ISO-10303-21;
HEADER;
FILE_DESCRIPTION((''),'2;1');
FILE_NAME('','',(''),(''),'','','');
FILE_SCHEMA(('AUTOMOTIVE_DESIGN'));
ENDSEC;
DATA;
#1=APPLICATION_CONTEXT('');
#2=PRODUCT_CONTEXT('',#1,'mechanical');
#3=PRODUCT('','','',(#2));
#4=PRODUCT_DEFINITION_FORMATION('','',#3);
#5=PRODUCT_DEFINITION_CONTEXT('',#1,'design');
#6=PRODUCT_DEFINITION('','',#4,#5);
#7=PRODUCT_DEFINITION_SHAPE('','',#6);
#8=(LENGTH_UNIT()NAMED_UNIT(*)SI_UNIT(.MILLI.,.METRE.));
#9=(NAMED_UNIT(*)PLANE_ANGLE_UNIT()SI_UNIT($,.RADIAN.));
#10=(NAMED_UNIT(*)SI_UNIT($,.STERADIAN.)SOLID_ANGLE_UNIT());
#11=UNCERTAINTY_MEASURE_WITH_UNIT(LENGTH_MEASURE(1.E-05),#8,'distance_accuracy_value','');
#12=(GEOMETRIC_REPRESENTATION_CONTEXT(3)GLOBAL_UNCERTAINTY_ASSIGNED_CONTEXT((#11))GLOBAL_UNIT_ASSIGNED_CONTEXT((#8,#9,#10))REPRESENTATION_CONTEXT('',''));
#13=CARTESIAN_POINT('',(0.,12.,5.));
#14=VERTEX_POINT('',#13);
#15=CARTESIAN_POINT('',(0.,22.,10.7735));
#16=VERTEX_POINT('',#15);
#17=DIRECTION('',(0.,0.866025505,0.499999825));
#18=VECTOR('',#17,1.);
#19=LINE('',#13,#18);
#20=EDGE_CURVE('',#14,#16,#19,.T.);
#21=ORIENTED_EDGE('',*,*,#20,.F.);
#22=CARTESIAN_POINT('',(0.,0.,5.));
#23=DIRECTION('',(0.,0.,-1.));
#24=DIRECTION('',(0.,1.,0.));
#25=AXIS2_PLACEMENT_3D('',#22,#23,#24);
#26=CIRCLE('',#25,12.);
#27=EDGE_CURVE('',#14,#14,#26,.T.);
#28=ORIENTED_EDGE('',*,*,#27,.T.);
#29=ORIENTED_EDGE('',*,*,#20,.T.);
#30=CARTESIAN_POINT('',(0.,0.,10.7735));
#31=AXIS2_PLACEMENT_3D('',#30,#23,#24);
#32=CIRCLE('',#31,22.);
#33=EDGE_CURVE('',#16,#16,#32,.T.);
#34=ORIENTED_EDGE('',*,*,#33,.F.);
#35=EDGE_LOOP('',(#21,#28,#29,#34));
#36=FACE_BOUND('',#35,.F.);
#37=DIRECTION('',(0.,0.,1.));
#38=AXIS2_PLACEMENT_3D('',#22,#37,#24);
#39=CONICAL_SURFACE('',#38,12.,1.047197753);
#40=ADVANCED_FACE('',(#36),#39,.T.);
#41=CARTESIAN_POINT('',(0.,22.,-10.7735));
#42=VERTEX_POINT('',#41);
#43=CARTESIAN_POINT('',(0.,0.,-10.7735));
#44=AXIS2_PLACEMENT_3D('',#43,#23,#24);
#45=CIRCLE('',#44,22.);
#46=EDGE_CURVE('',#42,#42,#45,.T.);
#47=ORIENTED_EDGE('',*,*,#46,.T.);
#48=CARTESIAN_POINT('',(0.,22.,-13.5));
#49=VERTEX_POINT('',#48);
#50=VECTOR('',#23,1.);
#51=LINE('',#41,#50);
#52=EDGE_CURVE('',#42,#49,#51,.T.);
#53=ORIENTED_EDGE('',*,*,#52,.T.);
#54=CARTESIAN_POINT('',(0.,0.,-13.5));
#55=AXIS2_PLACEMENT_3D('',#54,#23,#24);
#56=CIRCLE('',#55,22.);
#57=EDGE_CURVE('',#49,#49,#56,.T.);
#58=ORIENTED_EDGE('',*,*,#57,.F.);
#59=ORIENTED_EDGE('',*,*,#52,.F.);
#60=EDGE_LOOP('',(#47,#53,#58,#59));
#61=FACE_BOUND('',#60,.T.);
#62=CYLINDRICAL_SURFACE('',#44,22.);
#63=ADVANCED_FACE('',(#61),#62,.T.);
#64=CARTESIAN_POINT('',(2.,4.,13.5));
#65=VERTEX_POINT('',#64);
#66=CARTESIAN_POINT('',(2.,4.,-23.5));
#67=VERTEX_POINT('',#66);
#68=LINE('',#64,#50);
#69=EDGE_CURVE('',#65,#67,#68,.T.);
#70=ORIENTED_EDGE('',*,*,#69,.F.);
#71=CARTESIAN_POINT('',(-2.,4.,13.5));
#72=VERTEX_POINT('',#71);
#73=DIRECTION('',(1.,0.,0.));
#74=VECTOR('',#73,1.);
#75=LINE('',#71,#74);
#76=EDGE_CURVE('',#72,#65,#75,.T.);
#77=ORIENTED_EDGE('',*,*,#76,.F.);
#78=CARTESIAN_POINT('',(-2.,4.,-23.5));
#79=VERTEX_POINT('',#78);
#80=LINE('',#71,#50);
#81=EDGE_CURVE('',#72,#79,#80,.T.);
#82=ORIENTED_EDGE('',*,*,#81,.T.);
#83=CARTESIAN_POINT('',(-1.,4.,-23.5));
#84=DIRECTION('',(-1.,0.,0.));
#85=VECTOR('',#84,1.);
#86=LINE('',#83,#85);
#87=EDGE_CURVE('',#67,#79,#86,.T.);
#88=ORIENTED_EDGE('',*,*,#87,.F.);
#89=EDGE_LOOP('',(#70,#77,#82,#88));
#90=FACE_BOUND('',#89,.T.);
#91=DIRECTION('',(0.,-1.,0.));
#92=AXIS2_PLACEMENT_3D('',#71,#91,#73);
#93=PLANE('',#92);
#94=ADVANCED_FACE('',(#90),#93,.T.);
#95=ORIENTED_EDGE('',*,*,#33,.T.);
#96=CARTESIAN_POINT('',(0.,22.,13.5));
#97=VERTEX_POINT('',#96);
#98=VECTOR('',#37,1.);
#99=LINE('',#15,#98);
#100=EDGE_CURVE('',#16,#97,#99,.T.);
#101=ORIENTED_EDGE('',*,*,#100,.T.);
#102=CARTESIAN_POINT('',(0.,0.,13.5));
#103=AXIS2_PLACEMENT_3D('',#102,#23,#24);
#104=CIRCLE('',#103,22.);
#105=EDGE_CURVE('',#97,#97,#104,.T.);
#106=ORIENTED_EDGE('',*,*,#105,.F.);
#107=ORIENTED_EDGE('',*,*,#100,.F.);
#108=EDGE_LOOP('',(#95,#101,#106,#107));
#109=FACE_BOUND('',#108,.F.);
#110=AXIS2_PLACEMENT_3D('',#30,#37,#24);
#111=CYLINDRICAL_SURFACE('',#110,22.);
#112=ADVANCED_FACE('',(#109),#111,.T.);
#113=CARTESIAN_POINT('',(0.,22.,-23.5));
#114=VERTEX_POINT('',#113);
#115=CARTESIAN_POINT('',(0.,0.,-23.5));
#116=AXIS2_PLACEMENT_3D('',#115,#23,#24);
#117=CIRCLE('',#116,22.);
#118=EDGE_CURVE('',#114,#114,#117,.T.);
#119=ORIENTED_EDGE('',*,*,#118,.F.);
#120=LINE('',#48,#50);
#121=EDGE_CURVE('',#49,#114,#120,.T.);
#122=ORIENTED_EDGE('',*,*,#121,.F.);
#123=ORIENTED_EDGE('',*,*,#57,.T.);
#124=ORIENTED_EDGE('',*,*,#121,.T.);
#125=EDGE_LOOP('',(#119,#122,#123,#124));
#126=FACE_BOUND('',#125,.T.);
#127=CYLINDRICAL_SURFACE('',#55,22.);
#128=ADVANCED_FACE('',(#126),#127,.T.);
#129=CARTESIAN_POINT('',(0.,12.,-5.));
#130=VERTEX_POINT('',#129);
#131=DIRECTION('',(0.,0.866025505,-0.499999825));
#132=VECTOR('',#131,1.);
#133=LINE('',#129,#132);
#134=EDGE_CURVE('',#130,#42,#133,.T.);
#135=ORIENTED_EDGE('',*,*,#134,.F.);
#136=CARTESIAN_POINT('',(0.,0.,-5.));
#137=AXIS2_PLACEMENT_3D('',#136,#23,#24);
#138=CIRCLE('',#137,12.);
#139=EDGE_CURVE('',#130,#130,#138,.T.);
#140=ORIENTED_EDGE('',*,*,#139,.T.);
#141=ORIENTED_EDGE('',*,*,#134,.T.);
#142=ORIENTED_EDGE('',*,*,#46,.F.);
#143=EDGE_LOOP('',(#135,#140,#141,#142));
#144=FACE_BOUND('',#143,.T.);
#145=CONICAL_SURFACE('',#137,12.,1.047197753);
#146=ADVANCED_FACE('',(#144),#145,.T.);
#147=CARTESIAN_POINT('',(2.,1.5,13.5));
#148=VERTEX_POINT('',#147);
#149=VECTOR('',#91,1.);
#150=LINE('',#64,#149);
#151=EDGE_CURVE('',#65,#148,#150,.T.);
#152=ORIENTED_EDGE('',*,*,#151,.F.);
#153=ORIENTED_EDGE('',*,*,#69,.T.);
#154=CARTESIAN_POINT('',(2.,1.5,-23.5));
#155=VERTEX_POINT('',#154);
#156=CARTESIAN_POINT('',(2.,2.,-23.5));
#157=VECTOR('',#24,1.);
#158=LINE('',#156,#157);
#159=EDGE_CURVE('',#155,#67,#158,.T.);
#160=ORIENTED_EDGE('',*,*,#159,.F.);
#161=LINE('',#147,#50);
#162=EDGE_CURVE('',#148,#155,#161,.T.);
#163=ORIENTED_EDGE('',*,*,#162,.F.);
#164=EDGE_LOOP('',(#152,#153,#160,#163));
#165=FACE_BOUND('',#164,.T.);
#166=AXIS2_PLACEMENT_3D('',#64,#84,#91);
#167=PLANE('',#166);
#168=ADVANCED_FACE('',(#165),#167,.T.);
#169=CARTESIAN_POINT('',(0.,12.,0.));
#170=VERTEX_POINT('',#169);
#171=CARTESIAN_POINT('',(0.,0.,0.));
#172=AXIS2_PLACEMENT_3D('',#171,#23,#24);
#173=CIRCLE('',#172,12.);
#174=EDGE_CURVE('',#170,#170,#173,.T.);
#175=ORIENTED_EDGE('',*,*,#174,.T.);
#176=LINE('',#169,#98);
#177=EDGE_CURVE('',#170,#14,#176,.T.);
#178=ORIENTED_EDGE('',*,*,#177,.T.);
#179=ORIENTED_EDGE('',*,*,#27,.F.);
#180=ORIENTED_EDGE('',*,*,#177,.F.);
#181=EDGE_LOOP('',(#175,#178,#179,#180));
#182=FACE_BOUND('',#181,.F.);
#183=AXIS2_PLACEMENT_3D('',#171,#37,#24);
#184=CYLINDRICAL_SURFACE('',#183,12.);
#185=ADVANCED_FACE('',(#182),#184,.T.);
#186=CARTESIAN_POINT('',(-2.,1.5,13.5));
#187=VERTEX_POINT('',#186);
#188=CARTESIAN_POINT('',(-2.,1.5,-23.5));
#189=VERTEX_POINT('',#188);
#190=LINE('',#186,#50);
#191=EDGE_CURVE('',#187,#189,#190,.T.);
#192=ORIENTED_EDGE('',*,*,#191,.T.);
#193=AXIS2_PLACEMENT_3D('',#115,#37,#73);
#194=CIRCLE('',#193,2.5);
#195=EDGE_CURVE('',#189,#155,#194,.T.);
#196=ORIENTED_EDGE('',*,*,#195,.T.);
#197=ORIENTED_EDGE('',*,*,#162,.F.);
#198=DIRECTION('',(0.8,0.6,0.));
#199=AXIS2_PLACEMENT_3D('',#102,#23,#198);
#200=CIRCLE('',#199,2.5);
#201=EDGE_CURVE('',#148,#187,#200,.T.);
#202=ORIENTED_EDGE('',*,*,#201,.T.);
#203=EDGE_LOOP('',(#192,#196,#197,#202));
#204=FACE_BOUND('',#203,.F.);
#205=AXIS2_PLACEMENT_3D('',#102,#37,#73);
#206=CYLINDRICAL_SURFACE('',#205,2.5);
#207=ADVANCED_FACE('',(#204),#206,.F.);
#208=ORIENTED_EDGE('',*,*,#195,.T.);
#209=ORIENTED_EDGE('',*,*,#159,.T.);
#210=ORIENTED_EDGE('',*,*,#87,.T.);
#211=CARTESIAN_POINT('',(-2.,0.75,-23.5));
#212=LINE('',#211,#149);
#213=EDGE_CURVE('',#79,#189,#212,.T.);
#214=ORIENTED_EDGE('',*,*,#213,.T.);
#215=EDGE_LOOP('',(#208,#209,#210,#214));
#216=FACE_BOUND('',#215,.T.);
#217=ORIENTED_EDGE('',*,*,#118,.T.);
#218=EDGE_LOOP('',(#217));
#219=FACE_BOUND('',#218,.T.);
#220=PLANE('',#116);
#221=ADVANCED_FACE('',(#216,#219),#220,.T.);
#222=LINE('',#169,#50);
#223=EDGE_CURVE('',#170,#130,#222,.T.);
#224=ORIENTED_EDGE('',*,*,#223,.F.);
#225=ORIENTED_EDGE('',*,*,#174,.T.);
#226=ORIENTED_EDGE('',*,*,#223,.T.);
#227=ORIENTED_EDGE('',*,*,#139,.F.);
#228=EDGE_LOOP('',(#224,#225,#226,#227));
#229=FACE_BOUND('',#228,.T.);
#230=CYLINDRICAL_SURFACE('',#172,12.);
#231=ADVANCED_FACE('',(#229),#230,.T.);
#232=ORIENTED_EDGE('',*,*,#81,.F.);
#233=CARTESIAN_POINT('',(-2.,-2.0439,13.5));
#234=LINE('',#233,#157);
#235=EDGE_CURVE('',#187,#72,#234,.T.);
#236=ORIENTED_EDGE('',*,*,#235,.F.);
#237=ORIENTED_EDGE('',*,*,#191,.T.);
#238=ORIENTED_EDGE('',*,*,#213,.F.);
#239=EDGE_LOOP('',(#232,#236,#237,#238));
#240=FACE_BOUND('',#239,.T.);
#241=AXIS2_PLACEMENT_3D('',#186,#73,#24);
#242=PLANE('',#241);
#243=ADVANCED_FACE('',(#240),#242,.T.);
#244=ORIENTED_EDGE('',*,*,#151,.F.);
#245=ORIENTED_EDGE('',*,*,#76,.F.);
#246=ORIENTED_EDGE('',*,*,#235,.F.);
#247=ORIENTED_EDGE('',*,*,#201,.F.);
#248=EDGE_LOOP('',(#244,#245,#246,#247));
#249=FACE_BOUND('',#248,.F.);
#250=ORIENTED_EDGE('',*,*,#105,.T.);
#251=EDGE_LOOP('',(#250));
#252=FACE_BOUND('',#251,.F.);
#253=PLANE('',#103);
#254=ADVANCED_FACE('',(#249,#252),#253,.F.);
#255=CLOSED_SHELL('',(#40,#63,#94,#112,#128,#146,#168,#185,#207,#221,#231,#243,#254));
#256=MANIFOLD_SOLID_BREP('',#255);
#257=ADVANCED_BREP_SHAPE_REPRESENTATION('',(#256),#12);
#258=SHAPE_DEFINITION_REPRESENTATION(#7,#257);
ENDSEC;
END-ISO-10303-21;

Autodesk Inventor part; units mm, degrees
ref_plane "YZ Plane" through (0, 0, 0) normal (1, 0, 0) x (0, 1, 0)
ref_plane "XZ Plane" through (0, 0, 0) normal (0, 1, 0) x (-1, 0, 0)
ref_plane "XY Plane" through (0, 0, 0) normal (0, 0, 1) x (1, 0, 0)
sketch "Sketch2" plane through (0, 0, 0) normal (1, 0, 0) x (0, 1, 0)
  line L0 (0, 0) -> (12, 0) construction
  line L1 (12, 0) -> (12, -5)
  line L2 (12, -5) -> (22, -10.7735)
  line L3 (22, -10.7735) -> (22, -13.5)
  line L4 (22, -13.5) -> (0, -13.5)
  line L5 (0, -13.5) -> (0, 0)
  line L6 (12, 0) -> (12, 5)
  line L7 (12, 5) -> (22, 10.7735)
  line L8 (22, 10.7735) -> (22, 13.5)
  line L9 (22, 13.5) -> (0, 13.5)
  line L10 (0, 13.5) -> (0, 0)
  line L11 (0, 0) -> (0, -46.5785) construction
  line L12 (22, -13.5) -> (22, -23.5)
  line L13 (22, -23.5) -> (0, -23.5)
  line L14 (0, -13.5) -> (0, -23.5)
  dimension "d0" = 22
  dimension "d1" = 13.5
  dimension "d2" = 5
  dimension "d3" = 60
  dimension "d4" = 10
  dimension "d16" = 10
revolve "Revolution1" add sketch "Sketch2" angle 360 about axis through (0, 0, 0) along (0, 0, -1)
sketch "Sketch3" plane through (0, 0, 13.5) normal (0, 0, 1) x (1, 0, 0)
  circle A0 centre (0, 0) radius 2.5
  line L0 (-2, 4) -> (2, 4)
  line L1 (2, 4) -> (2, -2.0439)
  line L2 (2, -2.0439) -> (-2, -2.0439)
  line L3 (-2, -2.0439) -> (-2, 4)
  line L4 (-2, 4) -> (2, -2.0439) construction
  line L5 (2, 4) -> (-2, -2.0439) construction
  line L6 (-5.2122, 2.5) -> (6.1572, 2.5) construction
  point P0 (0, 0.9781)
  point P1 (-2, 1.5)
  point P2 (2, 1.5)
  dimension "d6" = 5
  dimension "d7" = 4
  dimension "d9" = 1.5
extrude "Extrusion1" cut sketch "Sketch3" against normal through all contours A0 L1 | L1 A0 L2 L3 | A0 L3 L0 L1 | L3 A0 | A0 L2
sketch "Sketch4" plane through (0, 0, -23.5) normal (0, 0, 1) x (1, 0, 0)
  circle A0 centre (0, -17) radius 3
  arc A1 (-2, 1.5) -> (2, 1.5) centre (0, 0) ccw construction
  line L0 (0, 0) -> (0, -2.5) construction
  line L1 (0, -2.5) -> (0, -17) construction
  line L2 (0, -17) -> (0, -25) construction
  circle A2 centre (0, 0) radius 25 construction
  dimension "d12" = 6
  dimension "d17" = 8
properties part number "Vbelt Drive Pulley"
